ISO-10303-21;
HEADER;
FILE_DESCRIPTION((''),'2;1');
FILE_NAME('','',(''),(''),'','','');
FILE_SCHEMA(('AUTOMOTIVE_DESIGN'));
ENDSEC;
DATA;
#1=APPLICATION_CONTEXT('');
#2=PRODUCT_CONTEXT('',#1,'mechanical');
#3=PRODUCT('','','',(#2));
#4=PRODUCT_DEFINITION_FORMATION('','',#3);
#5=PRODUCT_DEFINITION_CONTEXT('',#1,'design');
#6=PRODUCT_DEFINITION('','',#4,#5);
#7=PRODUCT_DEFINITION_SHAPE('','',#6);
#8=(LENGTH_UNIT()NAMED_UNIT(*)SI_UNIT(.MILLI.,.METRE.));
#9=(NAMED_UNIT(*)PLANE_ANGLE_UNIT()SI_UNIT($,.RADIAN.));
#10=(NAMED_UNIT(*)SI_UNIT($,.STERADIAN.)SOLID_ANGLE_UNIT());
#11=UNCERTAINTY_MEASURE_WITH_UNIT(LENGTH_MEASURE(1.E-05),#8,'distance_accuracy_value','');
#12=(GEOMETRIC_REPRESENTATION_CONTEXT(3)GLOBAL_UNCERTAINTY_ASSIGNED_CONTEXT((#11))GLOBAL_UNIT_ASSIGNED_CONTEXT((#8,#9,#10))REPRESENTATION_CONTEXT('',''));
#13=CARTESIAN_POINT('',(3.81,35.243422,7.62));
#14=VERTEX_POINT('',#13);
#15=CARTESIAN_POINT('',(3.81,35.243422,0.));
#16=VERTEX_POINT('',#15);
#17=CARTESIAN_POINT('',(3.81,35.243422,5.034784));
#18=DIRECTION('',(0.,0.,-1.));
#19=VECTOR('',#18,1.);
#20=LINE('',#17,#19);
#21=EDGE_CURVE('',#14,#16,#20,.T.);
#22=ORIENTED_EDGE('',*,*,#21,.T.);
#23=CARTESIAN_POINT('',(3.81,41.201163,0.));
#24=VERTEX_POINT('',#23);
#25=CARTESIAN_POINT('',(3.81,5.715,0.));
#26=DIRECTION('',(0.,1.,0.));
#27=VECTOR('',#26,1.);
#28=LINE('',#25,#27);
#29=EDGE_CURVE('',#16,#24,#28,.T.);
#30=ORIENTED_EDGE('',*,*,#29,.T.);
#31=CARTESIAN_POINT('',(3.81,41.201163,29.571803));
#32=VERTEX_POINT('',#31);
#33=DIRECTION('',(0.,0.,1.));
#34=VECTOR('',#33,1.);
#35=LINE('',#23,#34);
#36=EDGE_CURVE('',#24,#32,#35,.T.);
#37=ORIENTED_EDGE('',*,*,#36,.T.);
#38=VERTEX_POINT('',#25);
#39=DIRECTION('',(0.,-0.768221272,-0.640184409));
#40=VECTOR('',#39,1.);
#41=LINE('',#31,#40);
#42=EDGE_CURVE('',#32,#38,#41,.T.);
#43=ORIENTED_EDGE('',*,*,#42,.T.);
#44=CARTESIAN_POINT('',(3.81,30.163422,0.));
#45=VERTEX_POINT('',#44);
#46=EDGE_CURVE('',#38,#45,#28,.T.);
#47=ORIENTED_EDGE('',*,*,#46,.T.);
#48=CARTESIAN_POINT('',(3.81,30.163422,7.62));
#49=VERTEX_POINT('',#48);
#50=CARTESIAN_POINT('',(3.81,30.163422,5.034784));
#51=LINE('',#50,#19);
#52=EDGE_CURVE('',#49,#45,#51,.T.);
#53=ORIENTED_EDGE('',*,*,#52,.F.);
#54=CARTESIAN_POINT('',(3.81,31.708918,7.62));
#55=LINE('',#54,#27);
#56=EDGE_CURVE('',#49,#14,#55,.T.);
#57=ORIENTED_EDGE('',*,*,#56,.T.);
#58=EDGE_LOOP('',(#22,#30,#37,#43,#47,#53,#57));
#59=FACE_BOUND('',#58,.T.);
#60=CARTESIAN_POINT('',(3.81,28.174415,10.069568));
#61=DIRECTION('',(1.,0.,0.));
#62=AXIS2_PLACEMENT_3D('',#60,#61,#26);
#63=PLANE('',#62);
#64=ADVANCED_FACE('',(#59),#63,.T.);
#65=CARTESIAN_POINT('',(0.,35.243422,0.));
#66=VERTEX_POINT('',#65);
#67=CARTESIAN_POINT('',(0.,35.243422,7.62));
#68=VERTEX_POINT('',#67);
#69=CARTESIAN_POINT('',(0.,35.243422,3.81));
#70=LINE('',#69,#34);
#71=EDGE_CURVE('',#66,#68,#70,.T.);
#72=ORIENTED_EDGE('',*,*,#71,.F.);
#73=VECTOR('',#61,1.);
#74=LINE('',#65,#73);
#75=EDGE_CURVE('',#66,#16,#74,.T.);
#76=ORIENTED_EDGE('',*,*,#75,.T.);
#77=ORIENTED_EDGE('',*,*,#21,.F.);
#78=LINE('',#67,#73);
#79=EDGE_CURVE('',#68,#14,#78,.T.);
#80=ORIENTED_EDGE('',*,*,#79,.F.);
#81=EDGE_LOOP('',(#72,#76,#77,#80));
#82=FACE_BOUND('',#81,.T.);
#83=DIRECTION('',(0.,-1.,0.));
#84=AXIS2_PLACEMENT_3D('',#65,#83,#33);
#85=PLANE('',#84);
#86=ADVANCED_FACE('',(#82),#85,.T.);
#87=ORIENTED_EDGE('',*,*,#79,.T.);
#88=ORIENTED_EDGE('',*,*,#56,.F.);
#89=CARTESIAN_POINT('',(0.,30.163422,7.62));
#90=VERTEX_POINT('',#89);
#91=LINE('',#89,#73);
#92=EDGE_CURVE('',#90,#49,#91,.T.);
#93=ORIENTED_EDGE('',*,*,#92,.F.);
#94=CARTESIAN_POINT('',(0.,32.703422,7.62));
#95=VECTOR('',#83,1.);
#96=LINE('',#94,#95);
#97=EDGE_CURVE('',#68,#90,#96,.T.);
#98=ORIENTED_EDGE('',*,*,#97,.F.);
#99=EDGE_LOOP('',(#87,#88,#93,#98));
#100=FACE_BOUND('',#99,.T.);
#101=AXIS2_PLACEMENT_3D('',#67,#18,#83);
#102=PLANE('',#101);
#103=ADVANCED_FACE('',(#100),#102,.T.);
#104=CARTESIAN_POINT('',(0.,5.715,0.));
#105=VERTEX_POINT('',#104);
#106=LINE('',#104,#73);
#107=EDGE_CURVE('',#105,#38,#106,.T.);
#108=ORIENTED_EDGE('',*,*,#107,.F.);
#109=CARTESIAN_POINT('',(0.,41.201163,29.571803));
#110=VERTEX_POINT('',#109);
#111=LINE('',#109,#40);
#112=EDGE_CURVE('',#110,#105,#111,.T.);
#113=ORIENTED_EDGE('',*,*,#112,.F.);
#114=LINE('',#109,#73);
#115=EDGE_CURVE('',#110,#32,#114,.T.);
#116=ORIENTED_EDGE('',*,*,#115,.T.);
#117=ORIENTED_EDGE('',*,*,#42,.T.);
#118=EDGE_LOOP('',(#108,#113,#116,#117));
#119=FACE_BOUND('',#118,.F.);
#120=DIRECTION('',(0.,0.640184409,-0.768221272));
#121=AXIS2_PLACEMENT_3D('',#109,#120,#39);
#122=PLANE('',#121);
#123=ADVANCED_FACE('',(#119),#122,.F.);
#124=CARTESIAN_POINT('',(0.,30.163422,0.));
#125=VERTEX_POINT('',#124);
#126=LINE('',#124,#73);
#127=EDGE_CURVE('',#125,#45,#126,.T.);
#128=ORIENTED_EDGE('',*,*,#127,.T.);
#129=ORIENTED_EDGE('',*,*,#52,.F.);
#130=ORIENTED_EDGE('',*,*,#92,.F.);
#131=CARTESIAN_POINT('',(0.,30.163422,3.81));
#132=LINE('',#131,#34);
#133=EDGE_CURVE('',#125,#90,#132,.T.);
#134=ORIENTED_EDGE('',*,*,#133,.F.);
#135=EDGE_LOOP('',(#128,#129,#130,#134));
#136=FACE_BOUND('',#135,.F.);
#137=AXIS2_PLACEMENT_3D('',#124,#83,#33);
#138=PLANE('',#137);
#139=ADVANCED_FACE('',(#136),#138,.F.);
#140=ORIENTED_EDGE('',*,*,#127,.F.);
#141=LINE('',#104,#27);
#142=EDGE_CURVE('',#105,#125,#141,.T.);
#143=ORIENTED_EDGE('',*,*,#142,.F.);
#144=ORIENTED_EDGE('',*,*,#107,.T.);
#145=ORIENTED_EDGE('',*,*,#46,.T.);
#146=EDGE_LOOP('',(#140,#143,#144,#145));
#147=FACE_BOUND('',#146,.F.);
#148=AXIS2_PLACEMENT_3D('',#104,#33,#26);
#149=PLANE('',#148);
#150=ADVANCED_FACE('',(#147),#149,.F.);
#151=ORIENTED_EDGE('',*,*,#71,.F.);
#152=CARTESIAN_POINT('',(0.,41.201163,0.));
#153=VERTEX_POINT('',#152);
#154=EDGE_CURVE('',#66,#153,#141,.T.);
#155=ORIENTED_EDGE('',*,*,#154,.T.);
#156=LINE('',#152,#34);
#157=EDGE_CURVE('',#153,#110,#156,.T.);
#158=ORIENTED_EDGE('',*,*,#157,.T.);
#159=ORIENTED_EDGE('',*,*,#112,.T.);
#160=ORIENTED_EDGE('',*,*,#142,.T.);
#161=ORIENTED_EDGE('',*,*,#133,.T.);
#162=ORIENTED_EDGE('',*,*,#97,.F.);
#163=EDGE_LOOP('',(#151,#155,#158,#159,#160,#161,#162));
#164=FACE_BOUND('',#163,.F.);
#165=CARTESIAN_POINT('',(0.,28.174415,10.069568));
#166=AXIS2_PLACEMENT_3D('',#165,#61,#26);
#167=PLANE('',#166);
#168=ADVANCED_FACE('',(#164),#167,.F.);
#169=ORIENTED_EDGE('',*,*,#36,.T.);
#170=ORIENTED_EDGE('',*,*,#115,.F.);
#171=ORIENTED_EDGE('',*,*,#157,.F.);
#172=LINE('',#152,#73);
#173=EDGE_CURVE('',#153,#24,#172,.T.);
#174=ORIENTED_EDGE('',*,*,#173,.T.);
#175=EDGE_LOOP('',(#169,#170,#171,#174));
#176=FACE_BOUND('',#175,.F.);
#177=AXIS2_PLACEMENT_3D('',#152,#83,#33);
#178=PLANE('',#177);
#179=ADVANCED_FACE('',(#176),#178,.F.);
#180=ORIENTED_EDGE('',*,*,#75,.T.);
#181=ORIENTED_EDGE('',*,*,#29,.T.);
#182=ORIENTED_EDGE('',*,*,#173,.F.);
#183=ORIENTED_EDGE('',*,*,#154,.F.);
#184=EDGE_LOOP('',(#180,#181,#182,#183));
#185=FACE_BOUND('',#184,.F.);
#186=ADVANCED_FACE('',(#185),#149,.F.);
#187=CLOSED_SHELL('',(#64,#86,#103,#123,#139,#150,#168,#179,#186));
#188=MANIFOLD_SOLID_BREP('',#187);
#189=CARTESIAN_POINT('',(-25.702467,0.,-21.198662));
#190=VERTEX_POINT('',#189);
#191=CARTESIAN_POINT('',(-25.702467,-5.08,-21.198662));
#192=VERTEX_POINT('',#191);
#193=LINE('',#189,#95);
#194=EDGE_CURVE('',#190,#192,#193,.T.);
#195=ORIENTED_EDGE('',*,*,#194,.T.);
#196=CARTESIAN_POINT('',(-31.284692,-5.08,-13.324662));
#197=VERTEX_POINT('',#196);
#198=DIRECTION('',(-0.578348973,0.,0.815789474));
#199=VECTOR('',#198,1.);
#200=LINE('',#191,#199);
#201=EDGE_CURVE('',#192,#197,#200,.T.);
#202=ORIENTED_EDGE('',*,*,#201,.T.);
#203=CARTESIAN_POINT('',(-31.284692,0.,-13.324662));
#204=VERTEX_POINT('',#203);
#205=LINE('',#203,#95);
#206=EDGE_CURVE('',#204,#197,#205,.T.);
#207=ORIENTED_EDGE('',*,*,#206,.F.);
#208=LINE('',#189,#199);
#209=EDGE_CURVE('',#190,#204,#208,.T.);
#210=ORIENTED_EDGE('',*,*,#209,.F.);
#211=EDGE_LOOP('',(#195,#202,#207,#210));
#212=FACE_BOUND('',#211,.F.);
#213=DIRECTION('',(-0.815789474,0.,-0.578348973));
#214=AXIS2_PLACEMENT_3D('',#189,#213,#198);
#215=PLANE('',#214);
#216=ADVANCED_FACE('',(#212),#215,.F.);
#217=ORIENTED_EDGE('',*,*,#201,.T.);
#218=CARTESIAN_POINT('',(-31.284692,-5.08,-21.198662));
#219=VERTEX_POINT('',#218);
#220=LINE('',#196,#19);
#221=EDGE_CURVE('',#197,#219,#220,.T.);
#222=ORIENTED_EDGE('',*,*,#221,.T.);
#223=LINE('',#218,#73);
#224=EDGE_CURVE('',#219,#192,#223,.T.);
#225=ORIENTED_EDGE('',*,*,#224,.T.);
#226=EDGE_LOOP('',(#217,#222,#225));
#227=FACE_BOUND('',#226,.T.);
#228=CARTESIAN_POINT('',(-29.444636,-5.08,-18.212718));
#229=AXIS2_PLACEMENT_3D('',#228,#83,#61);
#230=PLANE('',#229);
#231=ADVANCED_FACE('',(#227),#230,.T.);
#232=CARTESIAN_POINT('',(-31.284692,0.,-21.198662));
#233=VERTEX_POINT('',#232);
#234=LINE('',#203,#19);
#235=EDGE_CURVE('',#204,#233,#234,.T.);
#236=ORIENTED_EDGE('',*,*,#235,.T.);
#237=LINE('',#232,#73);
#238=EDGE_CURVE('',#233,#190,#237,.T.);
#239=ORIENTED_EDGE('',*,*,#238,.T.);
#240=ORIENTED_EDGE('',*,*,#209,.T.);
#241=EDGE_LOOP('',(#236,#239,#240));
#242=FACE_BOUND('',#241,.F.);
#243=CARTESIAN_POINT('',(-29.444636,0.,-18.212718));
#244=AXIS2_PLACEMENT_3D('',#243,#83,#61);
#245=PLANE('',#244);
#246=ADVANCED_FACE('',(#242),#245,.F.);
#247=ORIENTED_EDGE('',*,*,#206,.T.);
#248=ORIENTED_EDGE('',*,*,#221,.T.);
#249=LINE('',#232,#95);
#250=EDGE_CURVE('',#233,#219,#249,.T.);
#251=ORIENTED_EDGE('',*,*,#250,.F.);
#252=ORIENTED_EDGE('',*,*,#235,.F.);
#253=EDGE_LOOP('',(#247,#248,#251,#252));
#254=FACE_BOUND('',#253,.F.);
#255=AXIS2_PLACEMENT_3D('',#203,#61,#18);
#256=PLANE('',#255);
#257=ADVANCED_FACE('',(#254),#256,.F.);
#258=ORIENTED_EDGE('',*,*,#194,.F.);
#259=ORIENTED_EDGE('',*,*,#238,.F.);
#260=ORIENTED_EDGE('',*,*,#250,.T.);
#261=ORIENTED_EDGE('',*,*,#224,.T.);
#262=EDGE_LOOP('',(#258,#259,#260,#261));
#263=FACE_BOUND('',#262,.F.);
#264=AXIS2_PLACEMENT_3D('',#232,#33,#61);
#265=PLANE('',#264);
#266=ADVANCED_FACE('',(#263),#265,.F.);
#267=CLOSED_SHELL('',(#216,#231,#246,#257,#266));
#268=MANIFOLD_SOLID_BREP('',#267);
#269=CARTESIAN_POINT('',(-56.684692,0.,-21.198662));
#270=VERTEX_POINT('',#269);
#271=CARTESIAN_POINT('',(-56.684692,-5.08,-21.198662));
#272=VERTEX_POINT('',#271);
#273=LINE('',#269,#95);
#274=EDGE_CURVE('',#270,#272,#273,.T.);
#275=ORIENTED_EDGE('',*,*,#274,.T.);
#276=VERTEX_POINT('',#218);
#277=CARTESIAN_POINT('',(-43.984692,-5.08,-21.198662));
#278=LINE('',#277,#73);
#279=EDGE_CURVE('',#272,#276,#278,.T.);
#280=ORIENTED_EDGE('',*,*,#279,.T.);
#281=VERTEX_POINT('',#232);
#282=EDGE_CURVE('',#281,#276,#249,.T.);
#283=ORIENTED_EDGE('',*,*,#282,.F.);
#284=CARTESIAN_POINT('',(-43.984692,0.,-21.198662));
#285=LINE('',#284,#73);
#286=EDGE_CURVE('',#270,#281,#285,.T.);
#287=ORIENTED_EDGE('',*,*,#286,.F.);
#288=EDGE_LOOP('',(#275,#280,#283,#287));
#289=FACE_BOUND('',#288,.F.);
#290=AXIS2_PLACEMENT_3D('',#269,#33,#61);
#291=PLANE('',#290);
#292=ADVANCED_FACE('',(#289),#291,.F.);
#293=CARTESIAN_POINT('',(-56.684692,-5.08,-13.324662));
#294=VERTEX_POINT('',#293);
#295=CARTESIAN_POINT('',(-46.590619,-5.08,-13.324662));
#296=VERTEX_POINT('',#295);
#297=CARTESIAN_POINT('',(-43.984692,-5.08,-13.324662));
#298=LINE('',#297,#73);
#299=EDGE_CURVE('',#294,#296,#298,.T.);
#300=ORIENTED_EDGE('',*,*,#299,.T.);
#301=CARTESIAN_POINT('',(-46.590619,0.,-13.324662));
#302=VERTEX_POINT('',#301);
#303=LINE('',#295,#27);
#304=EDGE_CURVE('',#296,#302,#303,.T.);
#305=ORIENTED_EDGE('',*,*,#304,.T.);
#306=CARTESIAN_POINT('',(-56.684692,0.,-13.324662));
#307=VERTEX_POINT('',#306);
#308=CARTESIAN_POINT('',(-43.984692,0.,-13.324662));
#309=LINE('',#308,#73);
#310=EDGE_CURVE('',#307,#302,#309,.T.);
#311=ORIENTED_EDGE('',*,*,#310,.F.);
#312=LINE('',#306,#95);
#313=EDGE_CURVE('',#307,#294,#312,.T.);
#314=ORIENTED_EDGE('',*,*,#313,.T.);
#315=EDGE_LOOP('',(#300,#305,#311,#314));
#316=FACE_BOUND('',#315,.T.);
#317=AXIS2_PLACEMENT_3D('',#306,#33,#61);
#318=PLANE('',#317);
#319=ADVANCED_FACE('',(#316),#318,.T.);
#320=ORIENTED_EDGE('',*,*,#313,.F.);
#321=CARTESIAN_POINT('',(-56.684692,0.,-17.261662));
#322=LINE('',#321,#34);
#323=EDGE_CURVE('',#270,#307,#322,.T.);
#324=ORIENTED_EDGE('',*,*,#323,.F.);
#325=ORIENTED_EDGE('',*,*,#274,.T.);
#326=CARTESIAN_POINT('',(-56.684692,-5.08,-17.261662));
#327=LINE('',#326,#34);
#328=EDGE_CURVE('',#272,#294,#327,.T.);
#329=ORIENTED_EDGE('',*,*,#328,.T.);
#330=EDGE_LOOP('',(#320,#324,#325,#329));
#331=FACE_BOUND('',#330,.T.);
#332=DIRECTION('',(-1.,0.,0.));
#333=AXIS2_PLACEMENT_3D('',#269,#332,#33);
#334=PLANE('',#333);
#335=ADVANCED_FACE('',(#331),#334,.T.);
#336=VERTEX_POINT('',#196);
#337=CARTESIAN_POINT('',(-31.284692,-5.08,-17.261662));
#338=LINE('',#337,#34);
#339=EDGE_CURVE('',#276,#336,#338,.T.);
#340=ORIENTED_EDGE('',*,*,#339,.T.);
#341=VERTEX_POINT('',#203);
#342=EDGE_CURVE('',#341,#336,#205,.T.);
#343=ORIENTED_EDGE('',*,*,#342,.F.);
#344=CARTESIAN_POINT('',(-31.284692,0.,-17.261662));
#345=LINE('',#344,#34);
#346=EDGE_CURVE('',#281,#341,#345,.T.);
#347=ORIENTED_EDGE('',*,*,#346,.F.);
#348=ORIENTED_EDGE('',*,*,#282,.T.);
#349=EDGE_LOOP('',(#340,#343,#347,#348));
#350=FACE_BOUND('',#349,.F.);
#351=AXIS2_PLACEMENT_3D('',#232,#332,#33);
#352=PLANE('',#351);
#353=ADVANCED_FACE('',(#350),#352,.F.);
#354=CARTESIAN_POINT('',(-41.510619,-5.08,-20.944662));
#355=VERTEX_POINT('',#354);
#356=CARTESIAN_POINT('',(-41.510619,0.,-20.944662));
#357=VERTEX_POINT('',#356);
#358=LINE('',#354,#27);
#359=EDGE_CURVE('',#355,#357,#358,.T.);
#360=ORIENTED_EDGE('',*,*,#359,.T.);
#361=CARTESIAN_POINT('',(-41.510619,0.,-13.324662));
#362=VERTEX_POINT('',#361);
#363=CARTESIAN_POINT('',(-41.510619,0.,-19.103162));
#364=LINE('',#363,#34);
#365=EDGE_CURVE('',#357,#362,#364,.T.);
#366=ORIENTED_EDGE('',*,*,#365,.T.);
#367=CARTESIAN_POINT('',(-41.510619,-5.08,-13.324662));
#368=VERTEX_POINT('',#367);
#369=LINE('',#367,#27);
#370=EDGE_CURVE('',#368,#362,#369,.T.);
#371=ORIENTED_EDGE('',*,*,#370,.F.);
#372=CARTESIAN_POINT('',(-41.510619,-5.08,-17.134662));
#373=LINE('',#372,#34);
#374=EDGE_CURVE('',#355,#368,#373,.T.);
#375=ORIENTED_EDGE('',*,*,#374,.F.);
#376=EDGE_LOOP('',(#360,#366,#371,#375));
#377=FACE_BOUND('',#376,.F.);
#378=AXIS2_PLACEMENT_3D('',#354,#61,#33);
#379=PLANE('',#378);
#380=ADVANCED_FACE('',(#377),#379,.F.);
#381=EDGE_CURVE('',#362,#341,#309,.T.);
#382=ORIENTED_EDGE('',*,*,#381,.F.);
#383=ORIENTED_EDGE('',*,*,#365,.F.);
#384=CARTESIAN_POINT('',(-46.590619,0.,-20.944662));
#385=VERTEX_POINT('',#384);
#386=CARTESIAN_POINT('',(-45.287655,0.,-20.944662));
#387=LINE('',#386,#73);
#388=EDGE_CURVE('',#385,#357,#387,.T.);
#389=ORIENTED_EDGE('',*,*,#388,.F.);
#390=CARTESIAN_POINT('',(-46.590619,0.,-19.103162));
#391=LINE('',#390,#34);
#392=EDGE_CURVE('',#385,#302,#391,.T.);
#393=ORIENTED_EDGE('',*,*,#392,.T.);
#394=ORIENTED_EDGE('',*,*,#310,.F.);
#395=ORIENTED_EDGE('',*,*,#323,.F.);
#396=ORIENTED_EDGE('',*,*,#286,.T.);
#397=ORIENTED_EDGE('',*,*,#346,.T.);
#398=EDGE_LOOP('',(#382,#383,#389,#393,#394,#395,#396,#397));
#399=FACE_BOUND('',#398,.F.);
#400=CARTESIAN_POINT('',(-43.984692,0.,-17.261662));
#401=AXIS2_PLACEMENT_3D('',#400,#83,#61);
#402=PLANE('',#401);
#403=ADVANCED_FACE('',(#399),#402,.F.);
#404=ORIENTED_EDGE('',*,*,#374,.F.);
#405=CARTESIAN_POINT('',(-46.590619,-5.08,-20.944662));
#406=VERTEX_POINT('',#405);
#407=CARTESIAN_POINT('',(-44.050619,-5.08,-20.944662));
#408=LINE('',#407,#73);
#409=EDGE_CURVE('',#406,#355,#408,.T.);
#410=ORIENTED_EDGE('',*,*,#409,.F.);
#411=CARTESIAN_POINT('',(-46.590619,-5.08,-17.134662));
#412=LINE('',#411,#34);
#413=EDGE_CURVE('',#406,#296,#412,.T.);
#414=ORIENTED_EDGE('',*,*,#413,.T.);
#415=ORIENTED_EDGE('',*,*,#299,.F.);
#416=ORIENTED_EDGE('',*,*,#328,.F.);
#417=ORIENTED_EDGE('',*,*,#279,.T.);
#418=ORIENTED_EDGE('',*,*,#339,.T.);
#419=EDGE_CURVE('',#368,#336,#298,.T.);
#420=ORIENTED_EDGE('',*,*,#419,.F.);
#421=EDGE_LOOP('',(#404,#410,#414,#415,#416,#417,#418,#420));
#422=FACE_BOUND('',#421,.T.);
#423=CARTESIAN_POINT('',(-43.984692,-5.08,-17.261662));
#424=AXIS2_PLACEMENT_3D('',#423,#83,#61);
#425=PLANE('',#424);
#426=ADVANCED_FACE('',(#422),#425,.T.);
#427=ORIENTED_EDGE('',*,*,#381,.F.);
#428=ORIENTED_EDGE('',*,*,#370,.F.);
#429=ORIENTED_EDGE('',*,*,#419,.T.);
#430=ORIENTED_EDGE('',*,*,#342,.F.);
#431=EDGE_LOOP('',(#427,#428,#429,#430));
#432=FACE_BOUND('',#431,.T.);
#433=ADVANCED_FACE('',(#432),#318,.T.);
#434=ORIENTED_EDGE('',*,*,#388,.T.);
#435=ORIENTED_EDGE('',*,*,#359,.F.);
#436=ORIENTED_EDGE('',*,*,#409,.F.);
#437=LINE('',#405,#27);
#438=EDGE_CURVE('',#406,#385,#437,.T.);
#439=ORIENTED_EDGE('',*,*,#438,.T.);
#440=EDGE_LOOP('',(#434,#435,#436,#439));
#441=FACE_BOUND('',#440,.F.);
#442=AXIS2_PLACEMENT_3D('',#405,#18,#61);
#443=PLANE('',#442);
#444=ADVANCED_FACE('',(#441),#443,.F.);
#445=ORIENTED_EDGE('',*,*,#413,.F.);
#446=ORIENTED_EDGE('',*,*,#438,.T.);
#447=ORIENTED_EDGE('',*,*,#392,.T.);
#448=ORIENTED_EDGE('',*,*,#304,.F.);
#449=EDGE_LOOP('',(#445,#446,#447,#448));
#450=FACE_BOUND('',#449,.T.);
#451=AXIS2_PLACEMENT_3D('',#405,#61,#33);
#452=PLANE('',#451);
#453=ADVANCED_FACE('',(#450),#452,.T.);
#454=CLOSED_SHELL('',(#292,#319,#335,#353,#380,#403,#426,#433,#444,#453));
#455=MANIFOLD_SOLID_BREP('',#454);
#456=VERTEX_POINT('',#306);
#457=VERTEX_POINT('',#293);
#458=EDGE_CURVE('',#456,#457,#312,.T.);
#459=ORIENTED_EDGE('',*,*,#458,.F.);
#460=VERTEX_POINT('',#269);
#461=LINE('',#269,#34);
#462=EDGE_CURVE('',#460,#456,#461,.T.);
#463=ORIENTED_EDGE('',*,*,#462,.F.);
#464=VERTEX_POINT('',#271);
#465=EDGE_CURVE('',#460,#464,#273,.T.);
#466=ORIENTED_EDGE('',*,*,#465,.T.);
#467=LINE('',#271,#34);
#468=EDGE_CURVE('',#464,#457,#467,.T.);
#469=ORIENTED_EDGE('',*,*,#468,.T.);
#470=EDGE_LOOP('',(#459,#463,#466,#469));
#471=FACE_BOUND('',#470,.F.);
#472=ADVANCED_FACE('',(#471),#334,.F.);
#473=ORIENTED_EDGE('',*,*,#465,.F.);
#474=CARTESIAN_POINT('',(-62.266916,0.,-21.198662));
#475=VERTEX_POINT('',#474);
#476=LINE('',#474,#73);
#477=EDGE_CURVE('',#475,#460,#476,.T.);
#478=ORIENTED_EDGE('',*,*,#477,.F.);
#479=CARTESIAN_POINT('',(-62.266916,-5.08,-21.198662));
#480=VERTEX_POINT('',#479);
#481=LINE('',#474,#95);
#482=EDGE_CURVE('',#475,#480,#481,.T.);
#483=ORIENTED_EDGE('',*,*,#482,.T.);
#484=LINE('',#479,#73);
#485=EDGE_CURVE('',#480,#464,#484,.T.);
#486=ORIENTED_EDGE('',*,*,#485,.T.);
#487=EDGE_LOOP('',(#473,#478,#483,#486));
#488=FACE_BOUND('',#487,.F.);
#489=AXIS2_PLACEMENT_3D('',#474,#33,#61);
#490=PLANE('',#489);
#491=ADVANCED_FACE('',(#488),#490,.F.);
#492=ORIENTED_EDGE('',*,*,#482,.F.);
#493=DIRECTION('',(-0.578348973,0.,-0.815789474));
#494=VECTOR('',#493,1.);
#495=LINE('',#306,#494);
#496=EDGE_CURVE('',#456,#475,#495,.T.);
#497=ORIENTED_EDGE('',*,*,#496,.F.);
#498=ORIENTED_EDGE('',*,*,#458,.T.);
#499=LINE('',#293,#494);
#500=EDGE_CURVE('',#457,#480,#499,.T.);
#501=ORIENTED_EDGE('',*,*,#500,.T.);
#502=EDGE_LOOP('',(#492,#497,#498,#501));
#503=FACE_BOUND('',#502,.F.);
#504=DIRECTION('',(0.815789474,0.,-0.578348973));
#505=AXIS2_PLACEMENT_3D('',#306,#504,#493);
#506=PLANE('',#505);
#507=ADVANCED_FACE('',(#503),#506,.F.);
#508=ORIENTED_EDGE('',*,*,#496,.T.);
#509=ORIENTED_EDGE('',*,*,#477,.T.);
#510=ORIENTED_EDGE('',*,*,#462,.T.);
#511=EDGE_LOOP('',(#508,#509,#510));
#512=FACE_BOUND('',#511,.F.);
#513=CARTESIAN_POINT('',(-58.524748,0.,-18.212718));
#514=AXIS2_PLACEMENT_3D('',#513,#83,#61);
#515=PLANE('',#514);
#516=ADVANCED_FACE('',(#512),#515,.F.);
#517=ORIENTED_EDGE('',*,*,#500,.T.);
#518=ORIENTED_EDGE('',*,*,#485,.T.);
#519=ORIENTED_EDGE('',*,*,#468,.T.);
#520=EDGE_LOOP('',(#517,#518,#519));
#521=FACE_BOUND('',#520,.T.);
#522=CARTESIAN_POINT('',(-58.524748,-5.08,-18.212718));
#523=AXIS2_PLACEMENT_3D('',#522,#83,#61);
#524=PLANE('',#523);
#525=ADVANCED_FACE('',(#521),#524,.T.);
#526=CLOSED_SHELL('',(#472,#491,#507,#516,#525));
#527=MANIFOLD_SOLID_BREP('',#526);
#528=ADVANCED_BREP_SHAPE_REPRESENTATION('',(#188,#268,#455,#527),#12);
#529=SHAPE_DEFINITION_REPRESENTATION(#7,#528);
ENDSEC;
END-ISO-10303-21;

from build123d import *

# Parameters (mm, degrees)
F1_DEPTH = 3.81
F2_W     = 5.08
F2_H     = 7.62
F3_DEPTH = 25.4
F6_DEPTH = 5.08
F5_W     = 25.4
F5_H     = 7.874
F7_W     = 5.08
F7_H     = 7.62
F8_DEPTH = 25.4


with BuildPart() as f1:
    # F0 (on Right) → F1 (new body)
    with BuildSketch(Plane.YZ):
        Polygon((41.2011630833, 0), (41.2011630833, 29.5718032867), (5.7149999775, 0), align=None)
    extrude(amount=F1_DEPTH)

    # F2 (on face) → F3 (cut)
    with BuildSketch(Plane(origin=(0, 0, 0), x_dir=(0, -1, 0), z_dir=(-1, 0, 0))):
        with Locations((-32.703421793, 3.81)):
            Rectangle(F2_W, F2_H)
    extrude(amount=-F3_DEPTH, mode=Mode.SUBTRACT)


with BuildPart() as f6:
    # F4 (on Front) → F6 (new body)
    with BuildSketch(Plane.XZ):
        Polygon((-56.6846917487, -21.1986619979), (-56.6846917487, -13.3246619979), (-62.2669160366, -21.1986619979), align=None)
    extrude(amount=F6_DEPTH)


with BuildPart() as f6b:
    # F4 (on Front) → F6, piece 2 (new body)
    with BuildSketch(Plane.XZ):
        Polygon((-25.7024674609, -21.1986619979), (-31.2846917487, -13.3246619979), (-31.2846917487, -21.1986619979), align=None)
    extrude(amount=F6_DEPTH)


with BuildPart() as f6c:
    # F5 (on face) → F6, piece 3 (new body)
    with BuildSketch(Plane.XZ):
        with Locations((-43.9846917487, -17.2616619979)):
            Rectangle(F5_W, F5_H)
    extrude(amount=F6_DEPTH)

    # F7 (on face) → F8 (cut)
    with BuildSketch(Plane.XZ.offset(5.08)):
        with Locations((-44.0506187892, -17.1346619979)):
            Rectangle(F7_W, F7_H)
    extrude(amount=-F8_DEPTH, mode=Mode.SUBTRACT)


solid = Compound([f1.part, f6.part, f6b.part, f6c.part])
